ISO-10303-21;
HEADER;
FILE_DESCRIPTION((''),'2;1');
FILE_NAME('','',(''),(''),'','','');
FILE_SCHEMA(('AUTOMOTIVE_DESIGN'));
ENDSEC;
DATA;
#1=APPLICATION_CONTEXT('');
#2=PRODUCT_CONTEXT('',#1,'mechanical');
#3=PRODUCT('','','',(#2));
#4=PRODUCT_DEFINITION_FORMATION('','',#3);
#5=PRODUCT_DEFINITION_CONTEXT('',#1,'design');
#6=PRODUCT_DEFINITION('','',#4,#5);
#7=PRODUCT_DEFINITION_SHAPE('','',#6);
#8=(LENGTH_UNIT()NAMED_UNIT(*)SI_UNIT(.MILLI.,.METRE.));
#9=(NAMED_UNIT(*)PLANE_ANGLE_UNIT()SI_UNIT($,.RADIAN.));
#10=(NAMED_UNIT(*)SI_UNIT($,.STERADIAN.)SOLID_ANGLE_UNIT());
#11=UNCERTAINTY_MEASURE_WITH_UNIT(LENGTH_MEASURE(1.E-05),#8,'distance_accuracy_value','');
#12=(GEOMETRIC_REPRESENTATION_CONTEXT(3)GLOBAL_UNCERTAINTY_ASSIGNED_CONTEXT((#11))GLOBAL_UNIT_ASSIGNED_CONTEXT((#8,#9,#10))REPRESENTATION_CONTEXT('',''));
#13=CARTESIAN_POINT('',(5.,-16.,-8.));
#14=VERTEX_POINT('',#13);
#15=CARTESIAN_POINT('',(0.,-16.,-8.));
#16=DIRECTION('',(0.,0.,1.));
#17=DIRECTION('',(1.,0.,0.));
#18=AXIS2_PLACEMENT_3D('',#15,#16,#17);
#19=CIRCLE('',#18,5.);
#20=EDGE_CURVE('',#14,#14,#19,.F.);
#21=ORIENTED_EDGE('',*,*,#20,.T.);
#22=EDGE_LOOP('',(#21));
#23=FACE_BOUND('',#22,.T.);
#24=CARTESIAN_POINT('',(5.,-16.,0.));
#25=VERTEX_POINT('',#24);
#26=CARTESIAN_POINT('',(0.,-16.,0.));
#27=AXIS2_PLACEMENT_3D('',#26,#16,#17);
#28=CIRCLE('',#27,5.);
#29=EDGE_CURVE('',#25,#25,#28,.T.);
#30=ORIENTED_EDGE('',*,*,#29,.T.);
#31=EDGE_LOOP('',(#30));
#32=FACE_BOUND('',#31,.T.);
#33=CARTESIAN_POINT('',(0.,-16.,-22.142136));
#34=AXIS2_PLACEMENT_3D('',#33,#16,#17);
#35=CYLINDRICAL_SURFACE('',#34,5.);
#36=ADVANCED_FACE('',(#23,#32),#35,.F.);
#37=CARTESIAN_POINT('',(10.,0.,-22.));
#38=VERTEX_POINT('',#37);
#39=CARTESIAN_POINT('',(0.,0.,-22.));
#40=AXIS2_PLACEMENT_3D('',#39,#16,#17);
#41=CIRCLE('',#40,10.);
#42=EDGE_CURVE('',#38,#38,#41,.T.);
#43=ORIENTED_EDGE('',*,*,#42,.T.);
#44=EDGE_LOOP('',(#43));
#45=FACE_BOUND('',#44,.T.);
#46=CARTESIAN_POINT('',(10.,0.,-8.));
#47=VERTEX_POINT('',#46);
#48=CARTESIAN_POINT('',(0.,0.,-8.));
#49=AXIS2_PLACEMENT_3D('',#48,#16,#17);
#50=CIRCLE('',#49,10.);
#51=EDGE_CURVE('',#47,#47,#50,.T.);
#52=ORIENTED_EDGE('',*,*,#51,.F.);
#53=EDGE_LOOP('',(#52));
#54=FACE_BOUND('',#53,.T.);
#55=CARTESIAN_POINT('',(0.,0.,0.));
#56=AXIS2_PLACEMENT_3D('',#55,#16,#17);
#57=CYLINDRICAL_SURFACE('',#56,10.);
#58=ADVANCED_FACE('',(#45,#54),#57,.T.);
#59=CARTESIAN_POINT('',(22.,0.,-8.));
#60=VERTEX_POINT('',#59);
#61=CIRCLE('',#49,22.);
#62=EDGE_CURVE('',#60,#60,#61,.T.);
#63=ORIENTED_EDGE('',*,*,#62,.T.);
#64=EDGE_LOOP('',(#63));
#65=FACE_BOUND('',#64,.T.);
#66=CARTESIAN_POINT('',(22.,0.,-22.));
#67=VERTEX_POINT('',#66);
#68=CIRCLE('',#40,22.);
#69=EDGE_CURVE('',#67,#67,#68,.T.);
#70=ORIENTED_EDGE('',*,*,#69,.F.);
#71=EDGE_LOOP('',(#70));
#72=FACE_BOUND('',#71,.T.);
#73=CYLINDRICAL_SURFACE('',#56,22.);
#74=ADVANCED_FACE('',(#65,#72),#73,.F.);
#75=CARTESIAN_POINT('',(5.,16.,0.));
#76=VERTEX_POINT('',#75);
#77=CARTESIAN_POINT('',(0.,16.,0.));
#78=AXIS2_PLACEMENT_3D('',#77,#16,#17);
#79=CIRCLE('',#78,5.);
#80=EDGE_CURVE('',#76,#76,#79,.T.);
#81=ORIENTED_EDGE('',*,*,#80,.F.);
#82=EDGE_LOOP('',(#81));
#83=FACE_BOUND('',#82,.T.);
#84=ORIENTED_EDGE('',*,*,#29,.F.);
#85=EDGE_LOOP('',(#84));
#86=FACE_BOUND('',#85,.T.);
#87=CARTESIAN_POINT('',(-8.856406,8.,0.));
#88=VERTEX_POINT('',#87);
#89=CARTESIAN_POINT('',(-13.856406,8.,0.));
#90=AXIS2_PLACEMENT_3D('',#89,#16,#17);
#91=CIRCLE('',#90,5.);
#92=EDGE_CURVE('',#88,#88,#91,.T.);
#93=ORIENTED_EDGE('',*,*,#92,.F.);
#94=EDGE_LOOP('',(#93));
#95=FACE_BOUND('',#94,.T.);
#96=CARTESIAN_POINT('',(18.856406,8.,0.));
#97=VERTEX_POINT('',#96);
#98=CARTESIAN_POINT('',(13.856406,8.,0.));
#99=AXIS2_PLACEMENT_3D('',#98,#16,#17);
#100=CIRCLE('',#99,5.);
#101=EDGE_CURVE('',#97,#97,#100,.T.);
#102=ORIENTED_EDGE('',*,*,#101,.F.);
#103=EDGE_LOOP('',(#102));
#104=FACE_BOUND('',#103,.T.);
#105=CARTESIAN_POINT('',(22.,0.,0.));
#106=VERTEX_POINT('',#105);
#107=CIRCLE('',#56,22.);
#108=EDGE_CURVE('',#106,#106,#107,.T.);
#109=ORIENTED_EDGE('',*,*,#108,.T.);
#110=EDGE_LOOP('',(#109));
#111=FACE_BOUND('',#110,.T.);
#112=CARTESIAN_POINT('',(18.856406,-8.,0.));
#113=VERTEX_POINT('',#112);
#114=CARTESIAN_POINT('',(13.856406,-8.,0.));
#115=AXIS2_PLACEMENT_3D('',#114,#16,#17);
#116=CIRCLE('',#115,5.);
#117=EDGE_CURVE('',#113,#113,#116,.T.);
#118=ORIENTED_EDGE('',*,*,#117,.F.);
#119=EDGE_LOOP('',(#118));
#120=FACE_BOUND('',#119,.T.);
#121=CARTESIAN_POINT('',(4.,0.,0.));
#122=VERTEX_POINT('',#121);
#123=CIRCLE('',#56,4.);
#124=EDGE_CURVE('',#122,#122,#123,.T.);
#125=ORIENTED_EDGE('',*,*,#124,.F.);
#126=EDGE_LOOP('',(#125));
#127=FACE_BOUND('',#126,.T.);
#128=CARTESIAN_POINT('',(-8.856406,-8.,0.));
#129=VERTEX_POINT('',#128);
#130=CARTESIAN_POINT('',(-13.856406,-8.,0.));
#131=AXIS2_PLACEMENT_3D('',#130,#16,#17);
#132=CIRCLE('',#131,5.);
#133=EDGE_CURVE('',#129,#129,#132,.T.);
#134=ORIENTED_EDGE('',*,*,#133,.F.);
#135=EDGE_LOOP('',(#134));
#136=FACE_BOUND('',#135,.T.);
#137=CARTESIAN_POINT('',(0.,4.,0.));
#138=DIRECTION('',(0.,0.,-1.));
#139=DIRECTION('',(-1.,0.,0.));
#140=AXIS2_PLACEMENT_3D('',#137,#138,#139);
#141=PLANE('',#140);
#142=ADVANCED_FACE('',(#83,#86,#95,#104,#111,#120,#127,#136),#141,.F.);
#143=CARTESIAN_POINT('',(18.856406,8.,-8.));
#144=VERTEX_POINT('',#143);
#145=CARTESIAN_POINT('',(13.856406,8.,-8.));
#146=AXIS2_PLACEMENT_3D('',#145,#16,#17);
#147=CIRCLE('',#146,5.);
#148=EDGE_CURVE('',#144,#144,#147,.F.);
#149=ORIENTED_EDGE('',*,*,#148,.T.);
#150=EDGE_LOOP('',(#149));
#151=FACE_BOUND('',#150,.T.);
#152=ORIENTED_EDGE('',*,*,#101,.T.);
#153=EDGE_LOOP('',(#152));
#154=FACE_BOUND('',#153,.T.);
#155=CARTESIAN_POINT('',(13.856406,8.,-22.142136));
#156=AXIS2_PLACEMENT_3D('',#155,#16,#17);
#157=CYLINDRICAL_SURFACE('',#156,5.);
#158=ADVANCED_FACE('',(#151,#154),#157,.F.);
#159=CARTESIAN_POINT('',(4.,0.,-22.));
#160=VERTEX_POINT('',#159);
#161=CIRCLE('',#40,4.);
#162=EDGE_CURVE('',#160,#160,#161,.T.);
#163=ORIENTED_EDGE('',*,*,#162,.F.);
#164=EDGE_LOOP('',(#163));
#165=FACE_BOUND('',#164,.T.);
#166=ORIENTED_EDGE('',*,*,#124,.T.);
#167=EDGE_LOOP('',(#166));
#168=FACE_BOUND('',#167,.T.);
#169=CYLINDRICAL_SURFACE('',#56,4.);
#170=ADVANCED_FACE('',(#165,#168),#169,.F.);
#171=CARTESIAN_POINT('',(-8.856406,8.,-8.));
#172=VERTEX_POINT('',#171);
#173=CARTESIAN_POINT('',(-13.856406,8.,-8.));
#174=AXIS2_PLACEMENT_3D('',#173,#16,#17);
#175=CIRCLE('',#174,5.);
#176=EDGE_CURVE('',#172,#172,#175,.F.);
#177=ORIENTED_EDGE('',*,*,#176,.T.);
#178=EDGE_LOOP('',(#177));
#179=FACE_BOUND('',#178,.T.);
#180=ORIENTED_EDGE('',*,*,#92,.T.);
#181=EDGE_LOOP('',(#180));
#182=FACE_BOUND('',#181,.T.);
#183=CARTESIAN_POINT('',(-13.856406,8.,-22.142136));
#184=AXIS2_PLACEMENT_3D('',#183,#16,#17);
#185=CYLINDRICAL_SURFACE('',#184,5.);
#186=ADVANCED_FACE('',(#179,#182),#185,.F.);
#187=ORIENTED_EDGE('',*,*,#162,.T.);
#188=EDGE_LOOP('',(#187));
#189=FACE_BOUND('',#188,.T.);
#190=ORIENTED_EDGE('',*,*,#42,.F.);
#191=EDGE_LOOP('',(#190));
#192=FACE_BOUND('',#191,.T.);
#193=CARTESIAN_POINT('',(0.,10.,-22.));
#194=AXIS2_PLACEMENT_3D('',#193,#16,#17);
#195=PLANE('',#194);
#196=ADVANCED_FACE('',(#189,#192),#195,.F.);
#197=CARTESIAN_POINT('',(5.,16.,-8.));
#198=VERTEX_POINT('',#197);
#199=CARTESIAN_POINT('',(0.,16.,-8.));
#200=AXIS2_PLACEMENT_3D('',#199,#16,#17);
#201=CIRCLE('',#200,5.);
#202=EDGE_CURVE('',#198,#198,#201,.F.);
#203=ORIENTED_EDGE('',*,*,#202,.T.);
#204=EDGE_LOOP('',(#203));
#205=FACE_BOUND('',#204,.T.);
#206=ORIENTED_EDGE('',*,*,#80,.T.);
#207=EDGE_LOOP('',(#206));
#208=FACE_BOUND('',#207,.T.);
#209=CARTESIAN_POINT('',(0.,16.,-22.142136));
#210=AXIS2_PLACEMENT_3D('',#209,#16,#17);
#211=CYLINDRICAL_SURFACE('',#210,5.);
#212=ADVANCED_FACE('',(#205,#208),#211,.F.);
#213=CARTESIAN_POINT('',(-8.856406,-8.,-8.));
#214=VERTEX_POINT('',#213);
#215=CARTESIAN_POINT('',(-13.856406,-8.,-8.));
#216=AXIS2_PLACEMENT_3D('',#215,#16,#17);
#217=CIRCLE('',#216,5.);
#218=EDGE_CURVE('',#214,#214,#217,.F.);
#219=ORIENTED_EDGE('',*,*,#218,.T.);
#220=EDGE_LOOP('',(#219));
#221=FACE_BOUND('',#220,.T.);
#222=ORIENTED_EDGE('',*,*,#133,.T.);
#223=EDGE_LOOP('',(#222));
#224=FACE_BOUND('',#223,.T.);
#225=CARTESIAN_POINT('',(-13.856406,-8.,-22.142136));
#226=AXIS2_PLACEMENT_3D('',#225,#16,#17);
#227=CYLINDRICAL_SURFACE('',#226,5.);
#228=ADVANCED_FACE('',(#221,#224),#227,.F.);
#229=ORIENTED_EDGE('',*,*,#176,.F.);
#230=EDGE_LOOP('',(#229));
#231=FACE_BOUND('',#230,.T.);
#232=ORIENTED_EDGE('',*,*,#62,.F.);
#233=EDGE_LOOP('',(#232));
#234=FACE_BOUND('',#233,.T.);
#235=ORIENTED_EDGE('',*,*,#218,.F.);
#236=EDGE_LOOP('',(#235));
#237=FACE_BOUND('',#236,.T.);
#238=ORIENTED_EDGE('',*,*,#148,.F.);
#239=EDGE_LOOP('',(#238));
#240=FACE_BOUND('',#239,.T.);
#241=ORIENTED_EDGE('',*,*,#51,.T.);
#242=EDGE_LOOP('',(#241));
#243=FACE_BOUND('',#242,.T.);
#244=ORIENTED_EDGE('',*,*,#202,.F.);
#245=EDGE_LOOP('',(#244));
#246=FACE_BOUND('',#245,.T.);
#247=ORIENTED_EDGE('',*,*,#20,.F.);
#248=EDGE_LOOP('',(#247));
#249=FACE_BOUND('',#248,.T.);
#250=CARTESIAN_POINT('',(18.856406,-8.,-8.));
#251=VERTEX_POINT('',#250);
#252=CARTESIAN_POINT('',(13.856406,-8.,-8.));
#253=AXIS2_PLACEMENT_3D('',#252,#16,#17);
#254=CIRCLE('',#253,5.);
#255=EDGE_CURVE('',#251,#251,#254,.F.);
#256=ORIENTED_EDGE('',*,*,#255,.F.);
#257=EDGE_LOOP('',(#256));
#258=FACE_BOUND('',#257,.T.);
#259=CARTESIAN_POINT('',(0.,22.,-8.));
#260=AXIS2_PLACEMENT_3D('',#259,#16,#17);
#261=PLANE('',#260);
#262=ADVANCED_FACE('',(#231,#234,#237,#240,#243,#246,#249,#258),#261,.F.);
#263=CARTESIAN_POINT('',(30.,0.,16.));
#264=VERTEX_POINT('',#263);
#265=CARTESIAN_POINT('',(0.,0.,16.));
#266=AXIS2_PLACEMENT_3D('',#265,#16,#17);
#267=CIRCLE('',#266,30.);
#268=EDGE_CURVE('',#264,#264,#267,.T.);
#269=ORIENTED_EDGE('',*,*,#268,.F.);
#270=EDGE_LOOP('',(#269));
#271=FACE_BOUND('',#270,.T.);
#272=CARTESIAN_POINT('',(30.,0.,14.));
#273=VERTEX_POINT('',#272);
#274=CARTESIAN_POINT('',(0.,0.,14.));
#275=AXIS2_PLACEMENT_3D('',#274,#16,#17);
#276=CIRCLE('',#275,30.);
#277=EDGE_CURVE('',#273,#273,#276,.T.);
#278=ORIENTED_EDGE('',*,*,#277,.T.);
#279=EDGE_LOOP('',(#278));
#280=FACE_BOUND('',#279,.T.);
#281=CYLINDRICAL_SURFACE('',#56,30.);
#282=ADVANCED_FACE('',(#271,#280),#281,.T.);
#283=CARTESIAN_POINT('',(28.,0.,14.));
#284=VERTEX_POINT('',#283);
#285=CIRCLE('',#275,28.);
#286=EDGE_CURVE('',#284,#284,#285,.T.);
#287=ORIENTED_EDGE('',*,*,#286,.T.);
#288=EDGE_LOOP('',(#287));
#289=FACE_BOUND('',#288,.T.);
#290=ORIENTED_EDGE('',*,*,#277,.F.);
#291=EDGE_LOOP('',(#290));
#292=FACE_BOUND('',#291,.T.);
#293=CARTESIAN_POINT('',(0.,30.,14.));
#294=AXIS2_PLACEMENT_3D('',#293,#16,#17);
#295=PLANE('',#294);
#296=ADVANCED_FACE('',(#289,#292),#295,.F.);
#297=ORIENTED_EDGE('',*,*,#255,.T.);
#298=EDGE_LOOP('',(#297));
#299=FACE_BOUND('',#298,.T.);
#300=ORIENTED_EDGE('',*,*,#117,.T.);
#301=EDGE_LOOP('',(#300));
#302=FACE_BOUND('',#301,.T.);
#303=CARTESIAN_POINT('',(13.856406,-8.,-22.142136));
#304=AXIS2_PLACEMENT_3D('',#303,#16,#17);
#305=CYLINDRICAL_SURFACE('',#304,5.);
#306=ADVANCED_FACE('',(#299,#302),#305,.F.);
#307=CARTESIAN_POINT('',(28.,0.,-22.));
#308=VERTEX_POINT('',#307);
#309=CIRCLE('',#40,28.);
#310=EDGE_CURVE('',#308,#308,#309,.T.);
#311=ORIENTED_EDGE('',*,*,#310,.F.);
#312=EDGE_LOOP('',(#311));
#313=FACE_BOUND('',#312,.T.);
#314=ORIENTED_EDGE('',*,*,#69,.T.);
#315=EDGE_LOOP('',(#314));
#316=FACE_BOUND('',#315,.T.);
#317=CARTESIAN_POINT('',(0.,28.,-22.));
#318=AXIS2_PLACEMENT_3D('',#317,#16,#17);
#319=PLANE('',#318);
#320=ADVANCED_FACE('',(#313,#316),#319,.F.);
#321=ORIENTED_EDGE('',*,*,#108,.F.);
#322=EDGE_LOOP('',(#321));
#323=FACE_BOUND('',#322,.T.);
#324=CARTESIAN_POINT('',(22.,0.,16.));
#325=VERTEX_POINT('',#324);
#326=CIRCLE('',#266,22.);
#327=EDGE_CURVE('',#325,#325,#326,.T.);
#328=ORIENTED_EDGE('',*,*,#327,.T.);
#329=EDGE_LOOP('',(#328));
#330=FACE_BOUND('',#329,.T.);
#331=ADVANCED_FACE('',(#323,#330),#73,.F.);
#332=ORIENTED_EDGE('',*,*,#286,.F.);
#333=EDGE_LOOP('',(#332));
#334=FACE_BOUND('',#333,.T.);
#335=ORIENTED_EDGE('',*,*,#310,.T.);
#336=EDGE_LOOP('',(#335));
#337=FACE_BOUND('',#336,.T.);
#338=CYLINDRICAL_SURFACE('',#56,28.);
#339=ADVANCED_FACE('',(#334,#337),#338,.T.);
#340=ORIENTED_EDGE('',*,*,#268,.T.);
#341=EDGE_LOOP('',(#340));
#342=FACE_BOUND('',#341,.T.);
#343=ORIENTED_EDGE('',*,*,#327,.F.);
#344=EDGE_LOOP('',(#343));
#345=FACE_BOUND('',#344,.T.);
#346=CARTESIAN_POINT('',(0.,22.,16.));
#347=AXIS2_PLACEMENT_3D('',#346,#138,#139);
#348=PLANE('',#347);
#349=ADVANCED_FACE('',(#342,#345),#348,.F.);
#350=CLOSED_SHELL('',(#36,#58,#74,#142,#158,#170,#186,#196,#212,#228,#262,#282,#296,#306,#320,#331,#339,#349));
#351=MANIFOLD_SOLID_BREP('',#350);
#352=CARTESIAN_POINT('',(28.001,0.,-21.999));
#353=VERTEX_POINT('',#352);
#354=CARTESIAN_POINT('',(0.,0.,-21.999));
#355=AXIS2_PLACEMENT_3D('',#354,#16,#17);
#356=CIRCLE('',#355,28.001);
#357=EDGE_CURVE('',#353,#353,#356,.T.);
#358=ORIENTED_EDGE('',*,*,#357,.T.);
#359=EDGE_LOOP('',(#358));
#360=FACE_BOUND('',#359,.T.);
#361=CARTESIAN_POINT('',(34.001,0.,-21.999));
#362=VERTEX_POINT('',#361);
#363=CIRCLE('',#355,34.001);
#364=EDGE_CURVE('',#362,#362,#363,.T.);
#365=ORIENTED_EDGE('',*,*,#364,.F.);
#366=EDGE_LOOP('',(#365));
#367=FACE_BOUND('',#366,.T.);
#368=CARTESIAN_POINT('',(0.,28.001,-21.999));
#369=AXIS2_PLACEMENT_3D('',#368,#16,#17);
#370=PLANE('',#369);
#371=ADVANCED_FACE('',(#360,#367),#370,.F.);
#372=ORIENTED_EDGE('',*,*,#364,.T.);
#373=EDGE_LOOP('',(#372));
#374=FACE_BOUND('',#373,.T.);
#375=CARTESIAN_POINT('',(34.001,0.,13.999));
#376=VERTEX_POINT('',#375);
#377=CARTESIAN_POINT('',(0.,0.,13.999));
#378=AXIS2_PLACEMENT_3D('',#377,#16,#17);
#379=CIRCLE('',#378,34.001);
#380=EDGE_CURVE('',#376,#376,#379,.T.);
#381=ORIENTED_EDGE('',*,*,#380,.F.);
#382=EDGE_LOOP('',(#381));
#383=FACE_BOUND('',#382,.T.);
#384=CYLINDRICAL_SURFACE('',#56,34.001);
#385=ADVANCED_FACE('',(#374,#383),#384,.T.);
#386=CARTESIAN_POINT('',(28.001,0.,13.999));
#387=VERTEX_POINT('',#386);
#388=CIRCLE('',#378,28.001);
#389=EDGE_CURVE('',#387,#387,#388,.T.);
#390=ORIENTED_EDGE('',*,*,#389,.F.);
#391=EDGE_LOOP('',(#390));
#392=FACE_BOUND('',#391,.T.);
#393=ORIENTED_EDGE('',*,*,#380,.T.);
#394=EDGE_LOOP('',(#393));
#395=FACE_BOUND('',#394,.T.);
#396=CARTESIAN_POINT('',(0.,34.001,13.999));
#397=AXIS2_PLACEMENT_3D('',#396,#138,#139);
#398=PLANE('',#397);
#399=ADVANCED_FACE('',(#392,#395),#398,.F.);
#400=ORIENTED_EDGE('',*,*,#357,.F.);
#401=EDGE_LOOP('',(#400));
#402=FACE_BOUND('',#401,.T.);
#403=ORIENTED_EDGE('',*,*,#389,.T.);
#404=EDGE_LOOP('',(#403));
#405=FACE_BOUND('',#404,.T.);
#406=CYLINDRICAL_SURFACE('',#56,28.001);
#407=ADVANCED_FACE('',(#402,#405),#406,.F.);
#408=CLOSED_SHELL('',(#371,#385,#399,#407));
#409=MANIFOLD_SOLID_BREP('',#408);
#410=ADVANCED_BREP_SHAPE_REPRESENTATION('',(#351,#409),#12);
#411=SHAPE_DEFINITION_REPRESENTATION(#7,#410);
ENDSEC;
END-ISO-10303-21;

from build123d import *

# Parameters (mm, degrees)
SKETCH2_R          = 5
CUT_EXTRUDE1_DEPTH = 8
SKETCH3_W          = 35.998
SKETCH3_H          = 6


with BuildPart() as part:
    # Sketch1 → Revolve1 (revolve)
    with BuildSketch(Plane(origin=(0, 0, 0), x_dir=(0, 0, -1), z_dir=(1, 0, 0)), mode=Mode.PRIVATE) as revolve1_sk:
        Polygon((0, 4), (0, 22), (-14, 22), (-16, 22), (-16, 30), (-14, 30), (-14, 28), (22, 28), (22, 22), (8, 22), (8, 10), (22, 10), (22, 4), align=None)
    revolve(revolve1_sk.sketch.rotate(Axis((0, 0, 0), (0, 0, -1)), 90), axis=Axis((0, 0, 0), (0, 0, -1)))

    # Sketch2 → Cut-Extrude1 (cut)
    with BuildSketch(Plane.XY):
        with Locations((0, 16)):
            Circle(SKETCH2_R)
        with Locations((13.856406461, 8)):
            Circle(SKETCH2_R)
        with Locations((13.856406461, -8)):
            Circle(SKETCH2_R)
        with Locations((0, -16)):
            Circle(SKETCH2_R)
        with Locations((-13.856406461, -8)):
            Circle(SKETCH2_R)
        with Locations((-13.856406461, 8)):
            Circle(SKETCH2_R)
    extrude(amount=-CUT_EXTRUDE1_DEPTH, mode=Mode.SUBTRACT)


with BuildPart() as body_2:
    # Sketch3 → Revolve2 (revolve)
    with BuildSketch(Plane(origin=(0, 0, 0), x_dir=(0, 0, -1), z_dir=(1, 0, 0)), mode=Mode.PRIVATE) as revolve2_sk:
        with Locations((4, 31.001)):
            Rectangle(SKETCH3_W, SKETCH3_H)
    revolve(revolve2_sk.sketch.rotate(Axis((0, 0, 0), (0, 0, -1)), 90), axis=Axis((0, 0, 0), (0, 0, -1)))


solid = Compound([part.part, body_2.part])
